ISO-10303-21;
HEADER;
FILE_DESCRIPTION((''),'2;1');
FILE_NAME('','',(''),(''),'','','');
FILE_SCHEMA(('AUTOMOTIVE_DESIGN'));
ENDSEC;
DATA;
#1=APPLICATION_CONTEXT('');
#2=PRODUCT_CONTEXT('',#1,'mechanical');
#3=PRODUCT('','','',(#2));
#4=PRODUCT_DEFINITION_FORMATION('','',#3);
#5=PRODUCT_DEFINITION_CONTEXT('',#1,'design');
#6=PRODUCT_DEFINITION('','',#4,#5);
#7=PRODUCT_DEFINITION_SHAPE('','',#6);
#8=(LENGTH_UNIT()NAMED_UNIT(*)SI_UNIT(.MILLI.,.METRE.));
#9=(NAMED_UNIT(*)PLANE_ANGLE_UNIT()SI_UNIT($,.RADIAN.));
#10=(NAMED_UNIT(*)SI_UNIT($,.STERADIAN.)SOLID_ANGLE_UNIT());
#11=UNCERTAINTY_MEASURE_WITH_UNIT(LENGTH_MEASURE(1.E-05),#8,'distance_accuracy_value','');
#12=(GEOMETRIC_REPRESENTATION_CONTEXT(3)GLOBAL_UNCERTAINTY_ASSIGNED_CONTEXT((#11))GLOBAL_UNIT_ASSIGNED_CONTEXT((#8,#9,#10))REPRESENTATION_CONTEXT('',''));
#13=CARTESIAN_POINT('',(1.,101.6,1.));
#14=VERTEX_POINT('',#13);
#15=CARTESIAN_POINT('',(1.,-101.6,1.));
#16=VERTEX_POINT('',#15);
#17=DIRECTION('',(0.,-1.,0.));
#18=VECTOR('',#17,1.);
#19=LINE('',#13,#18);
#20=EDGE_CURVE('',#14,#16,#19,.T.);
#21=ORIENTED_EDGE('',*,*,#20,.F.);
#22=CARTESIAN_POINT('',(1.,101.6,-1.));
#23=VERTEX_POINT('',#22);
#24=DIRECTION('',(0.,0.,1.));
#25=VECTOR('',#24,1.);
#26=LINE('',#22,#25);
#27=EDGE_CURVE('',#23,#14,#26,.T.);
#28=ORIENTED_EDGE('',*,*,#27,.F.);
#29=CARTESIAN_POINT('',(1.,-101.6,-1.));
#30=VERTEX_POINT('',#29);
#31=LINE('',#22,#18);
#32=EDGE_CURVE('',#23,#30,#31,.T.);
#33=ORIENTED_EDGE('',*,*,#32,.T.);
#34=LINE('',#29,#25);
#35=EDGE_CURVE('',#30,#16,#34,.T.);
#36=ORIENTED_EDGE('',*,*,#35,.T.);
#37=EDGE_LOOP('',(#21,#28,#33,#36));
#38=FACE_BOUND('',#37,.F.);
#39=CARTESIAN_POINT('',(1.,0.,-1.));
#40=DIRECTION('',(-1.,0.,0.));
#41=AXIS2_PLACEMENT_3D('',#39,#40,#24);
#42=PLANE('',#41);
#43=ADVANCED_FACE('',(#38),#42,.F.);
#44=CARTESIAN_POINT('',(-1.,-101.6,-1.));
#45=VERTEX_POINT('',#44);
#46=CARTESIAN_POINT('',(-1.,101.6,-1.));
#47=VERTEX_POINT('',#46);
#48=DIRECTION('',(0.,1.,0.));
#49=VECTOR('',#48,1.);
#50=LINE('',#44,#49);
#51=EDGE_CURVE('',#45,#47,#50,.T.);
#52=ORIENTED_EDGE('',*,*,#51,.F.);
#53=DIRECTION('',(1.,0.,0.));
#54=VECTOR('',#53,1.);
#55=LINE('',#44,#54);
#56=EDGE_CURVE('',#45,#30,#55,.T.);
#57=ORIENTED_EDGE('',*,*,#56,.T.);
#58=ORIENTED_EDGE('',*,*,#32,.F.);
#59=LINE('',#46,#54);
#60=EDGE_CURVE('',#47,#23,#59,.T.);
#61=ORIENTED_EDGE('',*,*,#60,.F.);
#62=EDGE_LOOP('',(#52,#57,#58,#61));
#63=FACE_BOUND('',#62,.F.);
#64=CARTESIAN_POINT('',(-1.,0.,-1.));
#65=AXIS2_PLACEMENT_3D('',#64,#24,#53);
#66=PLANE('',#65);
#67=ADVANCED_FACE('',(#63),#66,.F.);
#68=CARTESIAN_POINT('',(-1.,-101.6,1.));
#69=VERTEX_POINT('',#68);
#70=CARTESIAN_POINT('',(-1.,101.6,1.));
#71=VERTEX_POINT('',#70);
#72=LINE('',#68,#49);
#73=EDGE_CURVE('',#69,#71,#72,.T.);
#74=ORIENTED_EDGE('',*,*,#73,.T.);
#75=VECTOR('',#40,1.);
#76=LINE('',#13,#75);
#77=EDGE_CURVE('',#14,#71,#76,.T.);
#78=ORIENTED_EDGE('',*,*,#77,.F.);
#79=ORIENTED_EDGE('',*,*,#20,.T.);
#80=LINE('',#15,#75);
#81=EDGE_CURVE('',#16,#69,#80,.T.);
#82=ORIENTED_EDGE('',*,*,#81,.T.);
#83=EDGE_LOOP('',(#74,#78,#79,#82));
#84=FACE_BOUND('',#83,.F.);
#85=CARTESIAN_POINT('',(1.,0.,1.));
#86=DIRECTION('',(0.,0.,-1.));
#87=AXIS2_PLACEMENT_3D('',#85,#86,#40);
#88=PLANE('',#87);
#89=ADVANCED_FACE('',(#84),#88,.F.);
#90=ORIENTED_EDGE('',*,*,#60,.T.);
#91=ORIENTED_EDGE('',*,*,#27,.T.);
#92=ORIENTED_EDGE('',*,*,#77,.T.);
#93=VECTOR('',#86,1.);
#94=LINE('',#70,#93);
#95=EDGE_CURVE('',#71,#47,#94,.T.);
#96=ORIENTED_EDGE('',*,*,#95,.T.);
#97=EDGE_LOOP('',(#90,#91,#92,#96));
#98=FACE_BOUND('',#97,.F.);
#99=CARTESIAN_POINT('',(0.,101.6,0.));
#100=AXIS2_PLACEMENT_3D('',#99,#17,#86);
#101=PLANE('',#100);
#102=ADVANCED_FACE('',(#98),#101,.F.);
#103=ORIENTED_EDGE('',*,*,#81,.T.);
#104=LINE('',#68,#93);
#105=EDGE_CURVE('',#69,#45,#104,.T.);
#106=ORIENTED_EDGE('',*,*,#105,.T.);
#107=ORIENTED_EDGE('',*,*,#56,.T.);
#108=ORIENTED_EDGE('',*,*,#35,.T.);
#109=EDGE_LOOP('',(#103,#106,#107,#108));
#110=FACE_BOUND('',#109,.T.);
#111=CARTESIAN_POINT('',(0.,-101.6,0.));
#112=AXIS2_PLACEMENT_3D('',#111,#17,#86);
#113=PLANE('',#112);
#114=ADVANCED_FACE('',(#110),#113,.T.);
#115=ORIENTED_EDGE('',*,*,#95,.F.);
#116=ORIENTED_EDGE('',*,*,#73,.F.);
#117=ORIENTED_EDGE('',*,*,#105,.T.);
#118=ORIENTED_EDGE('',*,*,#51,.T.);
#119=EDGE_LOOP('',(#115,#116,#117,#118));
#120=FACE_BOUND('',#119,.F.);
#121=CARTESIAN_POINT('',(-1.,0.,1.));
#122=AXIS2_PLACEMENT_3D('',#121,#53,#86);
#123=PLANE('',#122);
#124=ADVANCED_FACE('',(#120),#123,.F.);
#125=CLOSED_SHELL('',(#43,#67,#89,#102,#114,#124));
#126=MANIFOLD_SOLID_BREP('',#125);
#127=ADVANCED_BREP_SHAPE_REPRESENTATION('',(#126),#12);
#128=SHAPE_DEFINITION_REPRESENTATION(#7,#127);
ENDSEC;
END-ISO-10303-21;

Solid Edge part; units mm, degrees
sketch "Sketch1" plane through (0, 0, 0) normal (0, -1, 0) x (1, 0, 0)
  line L0 (-1, -1) -> (1, -1)
  line L1 (1, -1) -> (1, 1)
  line L2 (1, 1) -> (-1, 1)
  line L3 (-1, 1) -> (-1, -1)
extrude "Protrusion1" add sketch "Sketch1" along normal mid plane 203.2
